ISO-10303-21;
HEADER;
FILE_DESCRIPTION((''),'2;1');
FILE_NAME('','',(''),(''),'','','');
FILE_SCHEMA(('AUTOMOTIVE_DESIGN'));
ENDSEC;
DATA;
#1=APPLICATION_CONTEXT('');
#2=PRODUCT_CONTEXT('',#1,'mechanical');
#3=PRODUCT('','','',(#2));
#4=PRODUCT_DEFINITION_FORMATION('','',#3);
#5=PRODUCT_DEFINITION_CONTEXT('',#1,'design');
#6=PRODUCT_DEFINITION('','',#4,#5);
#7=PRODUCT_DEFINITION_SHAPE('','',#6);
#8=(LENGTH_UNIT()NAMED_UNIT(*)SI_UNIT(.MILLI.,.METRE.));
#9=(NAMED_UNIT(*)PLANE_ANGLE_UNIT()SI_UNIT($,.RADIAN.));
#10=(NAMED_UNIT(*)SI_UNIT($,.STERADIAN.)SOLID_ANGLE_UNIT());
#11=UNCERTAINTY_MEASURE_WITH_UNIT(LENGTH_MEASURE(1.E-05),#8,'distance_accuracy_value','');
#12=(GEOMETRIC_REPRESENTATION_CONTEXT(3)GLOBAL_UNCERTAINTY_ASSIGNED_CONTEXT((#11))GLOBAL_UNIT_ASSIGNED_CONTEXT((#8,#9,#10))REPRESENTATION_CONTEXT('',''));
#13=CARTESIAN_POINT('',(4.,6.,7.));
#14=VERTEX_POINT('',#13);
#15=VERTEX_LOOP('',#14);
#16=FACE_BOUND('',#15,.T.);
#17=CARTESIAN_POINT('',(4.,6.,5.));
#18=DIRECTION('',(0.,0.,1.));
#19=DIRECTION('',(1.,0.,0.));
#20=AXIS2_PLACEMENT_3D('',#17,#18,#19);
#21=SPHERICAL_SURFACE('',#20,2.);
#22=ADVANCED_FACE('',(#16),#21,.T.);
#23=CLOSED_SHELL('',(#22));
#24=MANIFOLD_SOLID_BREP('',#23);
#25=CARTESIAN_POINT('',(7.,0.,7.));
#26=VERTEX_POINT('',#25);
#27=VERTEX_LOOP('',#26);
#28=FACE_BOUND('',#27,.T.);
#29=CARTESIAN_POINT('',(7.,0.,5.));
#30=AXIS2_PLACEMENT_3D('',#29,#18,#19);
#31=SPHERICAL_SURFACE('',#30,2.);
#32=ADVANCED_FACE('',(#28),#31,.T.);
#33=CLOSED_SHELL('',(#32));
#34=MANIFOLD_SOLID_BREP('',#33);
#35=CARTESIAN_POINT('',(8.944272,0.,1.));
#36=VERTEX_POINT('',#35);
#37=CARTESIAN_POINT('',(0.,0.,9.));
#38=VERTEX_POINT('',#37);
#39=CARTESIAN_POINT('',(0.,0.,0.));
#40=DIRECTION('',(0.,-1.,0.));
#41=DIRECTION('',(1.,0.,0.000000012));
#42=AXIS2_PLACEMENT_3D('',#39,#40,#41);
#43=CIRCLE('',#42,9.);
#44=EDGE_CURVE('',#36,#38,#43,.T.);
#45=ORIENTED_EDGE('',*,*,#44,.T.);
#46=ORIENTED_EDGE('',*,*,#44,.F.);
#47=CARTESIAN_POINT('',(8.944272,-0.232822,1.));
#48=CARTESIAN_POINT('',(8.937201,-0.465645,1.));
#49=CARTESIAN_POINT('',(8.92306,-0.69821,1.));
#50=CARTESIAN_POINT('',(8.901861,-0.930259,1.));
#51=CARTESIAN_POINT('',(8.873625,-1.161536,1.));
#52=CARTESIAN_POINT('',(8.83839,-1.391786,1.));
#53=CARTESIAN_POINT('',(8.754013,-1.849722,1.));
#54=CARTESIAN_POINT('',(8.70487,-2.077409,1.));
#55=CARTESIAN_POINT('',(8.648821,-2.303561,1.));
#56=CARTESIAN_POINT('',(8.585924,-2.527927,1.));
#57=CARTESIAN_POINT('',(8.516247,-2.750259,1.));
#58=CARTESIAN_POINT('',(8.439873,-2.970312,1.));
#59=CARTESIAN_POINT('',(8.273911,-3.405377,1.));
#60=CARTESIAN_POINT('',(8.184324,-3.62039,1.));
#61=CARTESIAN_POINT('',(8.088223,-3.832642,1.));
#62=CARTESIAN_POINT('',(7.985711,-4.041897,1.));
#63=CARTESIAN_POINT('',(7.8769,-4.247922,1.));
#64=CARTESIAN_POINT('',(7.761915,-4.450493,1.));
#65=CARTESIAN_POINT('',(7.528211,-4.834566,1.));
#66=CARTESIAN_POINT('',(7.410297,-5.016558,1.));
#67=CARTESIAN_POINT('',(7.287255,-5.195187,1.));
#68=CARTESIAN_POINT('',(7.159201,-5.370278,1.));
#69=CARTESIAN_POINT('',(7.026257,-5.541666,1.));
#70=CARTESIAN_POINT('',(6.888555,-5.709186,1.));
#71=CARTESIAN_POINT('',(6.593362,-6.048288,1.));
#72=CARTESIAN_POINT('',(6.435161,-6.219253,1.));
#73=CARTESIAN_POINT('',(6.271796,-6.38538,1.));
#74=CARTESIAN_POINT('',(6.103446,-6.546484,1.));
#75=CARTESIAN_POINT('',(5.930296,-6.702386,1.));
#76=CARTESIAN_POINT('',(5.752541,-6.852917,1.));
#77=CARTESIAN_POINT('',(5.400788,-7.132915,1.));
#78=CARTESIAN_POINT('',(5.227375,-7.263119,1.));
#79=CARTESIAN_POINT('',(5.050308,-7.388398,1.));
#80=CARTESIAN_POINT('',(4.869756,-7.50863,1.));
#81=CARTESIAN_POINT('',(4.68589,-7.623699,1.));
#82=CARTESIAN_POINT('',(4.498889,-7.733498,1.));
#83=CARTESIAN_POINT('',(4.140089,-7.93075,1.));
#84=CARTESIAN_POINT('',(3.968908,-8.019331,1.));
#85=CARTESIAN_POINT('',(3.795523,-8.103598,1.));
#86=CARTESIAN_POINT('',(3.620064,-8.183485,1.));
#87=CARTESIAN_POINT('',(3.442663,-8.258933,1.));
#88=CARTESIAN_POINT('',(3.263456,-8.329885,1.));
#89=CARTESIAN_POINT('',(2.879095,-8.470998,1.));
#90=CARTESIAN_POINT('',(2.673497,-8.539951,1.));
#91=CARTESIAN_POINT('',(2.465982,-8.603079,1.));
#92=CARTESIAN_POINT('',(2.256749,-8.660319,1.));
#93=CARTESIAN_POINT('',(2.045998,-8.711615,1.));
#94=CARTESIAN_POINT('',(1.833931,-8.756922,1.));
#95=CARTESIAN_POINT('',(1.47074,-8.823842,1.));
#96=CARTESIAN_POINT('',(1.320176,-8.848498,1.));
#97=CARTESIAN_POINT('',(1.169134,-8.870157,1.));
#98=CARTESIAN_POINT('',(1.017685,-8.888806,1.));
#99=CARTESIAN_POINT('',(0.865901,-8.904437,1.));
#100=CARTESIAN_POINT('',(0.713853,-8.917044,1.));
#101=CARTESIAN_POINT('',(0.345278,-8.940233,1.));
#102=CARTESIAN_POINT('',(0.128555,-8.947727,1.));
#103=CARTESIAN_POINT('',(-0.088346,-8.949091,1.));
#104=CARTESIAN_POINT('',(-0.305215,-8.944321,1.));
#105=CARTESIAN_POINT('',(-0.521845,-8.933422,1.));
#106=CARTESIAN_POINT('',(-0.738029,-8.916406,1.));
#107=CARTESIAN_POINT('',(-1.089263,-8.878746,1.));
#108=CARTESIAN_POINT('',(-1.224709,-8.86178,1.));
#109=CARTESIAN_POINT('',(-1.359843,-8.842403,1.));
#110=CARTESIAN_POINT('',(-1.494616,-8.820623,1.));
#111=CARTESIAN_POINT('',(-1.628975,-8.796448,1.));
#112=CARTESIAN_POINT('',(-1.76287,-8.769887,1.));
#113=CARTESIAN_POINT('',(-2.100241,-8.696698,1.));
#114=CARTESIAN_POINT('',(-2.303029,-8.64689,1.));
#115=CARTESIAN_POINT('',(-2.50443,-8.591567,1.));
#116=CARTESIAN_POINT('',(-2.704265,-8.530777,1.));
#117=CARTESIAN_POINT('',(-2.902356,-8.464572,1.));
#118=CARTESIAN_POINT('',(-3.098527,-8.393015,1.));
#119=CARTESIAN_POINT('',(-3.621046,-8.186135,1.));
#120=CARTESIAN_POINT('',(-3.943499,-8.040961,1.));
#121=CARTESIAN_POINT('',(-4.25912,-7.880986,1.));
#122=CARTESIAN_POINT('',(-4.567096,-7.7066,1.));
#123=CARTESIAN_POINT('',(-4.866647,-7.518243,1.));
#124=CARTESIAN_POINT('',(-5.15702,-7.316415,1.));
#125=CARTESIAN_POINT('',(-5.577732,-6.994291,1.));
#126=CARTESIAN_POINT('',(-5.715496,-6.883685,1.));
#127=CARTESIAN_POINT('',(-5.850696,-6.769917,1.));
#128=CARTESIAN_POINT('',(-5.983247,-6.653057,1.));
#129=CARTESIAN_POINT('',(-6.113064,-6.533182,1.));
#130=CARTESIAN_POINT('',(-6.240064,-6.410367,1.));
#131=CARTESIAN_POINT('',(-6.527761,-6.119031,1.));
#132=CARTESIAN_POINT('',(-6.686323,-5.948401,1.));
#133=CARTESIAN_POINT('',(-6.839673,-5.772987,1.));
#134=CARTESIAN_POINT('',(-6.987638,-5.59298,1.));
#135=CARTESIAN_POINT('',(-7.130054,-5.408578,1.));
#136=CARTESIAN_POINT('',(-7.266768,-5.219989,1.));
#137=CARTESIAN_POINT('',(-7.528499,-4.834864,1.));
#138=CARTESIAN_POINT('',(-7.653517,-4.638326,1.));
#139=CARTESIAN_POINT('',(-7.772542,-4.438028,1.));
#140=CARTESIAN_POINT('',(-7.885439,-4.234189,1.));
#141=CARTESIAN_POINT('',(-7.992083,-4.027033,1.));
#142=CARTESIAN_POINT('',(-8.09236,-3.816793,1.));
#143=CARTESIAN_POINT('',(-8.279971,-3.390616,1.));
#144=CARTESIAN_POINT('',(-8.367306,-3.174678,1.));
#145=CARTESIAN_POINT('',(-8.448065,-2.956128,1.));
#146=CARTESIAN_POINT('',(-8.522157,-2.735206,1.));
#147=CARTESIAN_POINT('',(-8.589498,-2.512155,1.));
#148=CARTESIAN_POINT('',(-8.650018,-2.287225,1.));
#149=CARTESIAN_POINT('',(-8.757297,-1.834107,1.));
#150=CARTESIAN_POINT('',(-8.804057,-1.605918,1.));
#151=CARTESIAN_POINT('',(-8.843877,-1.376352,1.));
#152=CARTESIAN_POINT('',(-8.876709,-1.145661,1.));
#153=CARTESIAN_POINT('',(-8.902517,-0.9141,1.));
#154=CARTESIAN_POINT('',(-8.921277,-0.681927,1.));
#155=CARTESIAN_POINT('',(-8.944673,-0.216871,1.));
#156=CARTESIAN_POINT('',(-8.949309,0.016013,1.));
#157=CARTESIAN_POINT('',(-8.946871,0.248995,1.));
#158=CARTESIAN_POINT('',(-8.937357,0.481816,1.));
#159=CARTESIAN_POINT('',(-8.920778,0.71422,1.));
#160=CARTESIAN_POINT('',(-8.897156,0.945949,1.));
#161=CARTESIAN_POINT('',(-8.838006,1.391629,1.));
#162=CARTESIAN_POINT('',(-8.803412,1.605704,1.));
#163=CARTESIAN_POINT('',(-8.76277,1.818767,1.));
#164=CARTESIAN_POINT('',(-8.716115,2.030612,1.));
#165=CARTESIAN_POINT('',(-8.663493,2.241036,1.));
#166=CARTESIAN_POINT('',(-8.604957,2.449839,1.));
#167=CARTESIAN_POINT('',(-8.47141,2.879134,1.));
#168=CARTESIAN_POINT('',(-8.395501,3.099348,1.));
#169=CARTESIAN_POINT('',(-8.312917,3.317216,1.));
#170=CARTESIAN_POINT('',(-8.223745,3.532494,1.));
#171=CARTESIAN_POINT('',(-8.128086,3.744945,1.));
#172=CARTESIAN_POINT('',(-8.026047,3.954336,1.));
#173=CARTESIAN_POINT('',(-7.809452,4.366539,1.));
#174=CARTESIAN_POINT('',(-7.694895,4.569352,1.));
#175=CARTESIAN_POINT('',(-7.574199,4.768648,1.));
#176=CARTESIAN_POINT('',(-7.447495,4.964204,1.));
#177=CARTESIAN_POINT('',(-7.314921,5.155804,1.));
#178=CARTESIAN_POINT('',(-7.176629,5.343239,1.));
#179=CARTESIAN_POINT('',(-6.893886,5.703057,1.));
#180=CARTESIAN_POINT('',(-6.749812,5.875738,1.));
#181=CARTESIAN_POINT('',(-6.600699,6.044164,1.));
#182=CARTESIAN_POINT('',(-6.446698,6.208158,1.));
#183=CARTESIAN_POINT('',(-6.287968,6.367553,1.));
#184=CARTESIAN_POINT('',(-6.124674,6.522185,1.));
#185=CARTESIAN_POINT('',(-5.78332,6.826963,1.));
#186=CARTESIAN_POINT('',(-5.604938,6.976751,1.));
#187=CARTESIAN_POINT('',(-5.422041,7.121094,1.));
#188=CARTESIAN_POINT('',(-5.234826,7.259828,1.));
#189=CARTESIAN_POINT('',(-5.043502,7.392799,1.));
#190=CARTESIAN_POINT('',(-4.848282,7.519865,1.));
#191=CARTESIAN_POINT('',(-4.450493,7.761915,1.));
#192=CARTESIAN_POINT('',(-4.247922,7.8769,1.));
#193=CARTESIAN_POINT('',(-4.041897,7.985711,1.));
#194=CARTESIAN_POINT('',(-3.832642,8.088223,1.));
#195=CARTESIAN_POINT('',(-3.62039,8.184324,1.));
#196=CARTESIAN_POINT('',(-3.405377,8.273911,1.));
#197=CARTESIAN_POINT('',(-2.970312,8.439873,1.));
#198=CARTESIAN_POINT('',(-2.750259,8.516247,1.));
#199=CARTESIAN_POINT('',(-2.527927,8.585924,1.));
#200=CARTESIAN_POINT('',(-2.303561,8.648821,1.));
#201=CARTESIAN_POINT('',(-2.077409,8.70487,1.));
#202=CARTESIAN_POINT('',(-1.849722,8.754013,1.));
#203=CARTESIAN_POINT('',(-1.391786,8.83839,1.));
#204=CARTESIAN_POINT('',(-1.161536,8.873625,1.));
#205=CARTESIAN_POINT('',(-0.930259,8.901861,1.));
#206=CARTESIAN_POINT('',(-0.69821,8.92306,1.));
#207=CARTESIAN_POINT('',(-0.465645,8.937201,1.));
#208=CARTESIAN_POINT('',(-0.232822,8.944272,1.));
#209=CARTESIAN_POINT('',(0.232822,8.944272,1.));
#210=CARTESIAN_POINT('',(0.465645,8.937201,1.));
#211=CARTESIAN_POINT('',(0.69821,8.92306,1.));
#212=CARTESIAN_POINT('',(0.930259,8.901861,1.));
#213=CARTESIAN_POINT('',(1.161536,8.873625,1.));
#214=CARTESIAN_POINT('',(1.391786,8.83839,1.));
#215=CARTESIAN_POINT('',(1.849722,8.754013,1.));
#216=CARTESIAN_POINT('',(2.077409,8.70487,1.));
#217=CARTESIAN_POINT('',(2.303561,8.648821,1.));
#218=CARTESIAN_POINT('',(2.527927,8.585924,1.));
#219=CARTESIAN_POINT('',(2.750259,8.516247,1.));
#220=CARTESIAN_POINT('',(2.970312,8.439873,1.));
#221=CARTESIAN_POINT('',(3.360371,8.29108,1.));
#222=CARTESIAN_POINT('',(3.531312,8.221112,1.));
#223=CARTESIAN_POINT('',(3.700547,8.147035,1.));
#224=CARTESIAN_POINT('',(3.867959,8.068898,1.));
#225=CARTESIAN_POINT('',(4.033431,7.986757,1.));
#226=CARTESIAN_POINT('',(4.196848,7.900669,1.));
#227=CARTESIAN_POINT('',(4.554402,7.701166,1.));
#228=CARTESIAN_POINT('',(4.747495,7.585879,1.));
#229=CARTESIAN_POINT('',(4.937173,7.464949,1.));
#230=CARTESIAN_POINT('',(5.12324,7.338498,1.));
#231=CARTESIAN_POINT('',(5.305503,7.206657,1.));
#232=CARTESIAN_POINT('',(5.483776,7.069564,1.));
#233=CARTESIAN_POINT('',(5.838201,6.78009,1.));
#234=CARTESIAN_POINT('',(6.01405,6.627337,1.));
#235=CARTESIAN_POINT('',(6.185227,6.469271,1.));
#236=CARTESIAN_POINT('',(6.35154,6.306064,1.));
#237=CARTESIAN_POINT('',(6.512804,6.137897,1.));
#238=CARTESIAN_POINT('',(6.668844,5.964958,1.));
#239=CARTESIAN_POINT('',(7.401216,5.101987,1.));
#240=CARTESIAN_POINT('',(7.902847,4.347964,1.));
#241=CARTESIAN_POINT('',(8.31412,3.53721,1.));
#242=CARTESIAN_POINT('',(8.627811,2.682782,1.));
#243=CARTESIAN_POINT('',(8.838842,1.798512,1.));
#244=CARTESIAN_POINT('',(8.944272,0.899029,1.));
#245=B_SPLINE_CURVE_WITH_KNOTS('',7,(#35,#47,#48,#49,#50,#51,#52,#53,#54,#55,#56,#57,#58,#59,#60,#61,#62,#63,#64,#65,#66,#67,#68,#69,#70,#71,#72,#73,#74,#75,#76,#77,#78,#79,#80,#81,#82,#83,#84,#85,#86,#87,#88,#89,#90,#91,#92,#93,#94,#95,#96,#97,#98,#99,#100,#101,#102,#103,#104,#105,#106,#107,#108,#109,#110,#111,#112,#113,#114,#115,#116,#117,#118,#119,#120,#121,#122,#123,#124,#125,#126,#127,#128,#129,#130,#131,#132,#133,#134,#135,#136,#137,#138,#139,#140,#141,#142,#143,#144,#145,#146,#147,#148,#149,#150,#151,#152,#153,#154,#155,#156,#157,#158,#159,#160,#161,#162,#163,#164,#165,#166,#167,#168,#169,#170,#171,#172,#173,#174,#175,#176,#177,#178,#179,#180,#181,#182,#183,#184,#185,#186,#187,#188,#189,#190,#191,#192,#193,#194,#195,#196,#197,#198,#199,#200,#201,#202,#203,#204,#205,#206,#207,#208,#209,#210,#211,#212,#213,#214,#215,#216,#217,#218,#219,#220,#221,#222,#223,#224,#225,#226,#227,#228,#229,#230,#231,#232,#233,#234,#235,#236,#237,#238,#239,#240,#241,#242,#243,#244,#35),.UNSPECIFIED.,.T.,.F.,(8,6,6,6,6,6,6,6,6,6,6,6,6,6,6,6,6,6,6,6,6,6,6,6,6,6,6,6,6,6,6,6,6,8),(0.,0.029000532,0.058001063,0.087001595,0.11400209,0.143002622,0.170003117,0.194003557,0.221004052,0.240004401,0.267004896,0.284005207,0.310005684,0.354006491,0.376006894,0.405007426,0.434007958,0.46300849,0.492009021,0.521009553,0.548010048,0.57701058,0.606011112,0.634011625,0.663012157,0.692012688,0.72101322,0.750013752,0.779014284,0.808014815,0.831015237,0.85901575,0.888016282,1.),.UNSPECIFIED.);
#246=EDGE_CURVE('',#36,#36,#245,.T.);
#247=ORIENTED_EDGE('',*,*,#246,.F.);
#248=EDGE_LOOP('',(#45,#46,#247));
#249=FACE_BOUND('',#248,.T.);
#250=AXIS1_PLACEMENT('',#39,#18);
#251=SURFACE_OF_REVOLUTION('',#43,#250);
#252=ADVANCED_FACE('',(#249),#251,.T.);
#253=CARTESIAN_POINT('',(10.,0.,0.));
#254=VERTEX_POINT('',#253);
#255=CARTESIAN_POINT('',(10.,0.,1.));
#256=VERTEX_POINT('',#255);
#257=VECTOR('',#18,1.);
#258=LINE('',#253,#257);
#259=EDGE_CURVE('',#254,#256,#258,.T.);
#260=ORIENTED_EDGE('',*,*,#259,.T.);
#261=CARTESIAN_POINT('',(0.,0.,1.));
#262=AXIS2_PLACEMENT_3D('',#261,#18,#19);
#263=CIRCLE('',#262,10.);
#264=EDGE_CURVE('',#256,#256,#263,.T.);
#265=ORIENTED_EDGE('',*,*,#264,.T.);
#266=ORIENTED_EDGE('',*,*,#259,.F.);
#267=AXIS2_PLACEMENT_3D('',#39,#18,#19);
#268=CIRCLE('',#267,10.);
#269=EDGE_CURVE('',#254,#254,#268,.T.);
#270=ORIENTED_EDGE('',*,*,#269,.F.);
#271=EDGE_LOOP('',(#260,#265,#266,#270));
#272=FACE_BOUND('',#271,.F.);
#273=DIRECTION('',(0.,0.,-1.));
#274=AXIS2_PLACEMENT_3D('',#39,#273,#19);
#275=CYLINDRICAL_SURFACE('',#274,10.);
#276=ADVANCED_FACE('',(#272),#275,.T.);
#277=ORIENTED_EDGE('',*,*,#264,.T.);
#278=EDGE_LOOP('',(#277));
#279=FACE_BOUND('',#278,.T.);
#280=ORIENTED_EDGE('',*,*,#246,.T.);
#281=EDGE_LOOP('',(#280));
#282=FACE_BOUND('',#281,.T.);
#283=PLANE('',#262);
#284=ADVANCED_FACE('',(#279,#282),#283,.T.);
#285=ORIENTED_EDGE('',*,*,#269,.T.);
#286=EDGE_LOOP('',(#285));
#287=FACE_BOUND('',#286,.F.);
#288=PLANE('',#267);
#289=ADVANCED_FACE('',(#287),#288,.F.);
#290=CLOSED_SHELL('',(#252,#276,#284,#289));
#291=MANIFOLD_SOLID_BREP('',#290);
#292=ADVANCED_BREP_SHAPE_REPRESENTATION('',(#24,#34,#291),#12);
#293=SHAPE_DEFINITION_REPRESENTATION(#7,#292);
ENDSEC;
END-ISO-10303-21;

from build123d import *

# Parameters (mm, degrees)
CYLINDER_R     = 10
CYLINDER_DEPTH = 1


with BuildPart() as cylinder:
    # Cylinder → Cylinder (new body)
    with BuildSketch(Plane.XY):
        Circle(CYLINDER_R)
    extrude(amount=CYLINDER_DEPTH)


with BuildPart() as fusion:
    # Sphere → Sphere (revolve)
    with BuildSketch(Plane.XZ):
        with BuildLine():
            ThreePointArc((9, 0), (6.363961, 6.363961), (0, 9))
            Line((0, 9), (0, 0))
            Line((0, 0), (9, 0))
        make_face()
    revolve(axis=Axis((0, 0, 0), (0, 0, 1)))

    # Fusion: union Cylinder
    add(cylinder.part)


with BuildPart() as sphere001:
    # Sphere001 → Sphere001 (revolve)
    with BuildSketch(Plane(origin=(7, 0, 5), x_dir=(1, 0, 0), z_dir=(0, -1, 0))):
        with BuildLine():
            ThreePointArc((0, -2), (2, 0), (0, 2))
            Line((0, 2), (0, -2))
        make_face()
    revolve(axis=Axis((7, 0, 5), (0, 0, 1)))


with BuildPart() as sphere002:
    # Sphere002 → Sphere002 (revolve)
    with BuildSketch(Plane(origin=(4, 6, 5), x_dir=(1, 0, 0), z_dir=(0, -1, 0))):
        with BuildLine():
            ThreePointArc((0, -2), (2, 0), (0, 2))
            Line((0, 2), (0, -2))
        make_face()
    revolve(axis=Axis((4, 6, 5), (0, 0, 1)))


solid = Compound([fusion.part, sphere001.part, sphere002.part])
